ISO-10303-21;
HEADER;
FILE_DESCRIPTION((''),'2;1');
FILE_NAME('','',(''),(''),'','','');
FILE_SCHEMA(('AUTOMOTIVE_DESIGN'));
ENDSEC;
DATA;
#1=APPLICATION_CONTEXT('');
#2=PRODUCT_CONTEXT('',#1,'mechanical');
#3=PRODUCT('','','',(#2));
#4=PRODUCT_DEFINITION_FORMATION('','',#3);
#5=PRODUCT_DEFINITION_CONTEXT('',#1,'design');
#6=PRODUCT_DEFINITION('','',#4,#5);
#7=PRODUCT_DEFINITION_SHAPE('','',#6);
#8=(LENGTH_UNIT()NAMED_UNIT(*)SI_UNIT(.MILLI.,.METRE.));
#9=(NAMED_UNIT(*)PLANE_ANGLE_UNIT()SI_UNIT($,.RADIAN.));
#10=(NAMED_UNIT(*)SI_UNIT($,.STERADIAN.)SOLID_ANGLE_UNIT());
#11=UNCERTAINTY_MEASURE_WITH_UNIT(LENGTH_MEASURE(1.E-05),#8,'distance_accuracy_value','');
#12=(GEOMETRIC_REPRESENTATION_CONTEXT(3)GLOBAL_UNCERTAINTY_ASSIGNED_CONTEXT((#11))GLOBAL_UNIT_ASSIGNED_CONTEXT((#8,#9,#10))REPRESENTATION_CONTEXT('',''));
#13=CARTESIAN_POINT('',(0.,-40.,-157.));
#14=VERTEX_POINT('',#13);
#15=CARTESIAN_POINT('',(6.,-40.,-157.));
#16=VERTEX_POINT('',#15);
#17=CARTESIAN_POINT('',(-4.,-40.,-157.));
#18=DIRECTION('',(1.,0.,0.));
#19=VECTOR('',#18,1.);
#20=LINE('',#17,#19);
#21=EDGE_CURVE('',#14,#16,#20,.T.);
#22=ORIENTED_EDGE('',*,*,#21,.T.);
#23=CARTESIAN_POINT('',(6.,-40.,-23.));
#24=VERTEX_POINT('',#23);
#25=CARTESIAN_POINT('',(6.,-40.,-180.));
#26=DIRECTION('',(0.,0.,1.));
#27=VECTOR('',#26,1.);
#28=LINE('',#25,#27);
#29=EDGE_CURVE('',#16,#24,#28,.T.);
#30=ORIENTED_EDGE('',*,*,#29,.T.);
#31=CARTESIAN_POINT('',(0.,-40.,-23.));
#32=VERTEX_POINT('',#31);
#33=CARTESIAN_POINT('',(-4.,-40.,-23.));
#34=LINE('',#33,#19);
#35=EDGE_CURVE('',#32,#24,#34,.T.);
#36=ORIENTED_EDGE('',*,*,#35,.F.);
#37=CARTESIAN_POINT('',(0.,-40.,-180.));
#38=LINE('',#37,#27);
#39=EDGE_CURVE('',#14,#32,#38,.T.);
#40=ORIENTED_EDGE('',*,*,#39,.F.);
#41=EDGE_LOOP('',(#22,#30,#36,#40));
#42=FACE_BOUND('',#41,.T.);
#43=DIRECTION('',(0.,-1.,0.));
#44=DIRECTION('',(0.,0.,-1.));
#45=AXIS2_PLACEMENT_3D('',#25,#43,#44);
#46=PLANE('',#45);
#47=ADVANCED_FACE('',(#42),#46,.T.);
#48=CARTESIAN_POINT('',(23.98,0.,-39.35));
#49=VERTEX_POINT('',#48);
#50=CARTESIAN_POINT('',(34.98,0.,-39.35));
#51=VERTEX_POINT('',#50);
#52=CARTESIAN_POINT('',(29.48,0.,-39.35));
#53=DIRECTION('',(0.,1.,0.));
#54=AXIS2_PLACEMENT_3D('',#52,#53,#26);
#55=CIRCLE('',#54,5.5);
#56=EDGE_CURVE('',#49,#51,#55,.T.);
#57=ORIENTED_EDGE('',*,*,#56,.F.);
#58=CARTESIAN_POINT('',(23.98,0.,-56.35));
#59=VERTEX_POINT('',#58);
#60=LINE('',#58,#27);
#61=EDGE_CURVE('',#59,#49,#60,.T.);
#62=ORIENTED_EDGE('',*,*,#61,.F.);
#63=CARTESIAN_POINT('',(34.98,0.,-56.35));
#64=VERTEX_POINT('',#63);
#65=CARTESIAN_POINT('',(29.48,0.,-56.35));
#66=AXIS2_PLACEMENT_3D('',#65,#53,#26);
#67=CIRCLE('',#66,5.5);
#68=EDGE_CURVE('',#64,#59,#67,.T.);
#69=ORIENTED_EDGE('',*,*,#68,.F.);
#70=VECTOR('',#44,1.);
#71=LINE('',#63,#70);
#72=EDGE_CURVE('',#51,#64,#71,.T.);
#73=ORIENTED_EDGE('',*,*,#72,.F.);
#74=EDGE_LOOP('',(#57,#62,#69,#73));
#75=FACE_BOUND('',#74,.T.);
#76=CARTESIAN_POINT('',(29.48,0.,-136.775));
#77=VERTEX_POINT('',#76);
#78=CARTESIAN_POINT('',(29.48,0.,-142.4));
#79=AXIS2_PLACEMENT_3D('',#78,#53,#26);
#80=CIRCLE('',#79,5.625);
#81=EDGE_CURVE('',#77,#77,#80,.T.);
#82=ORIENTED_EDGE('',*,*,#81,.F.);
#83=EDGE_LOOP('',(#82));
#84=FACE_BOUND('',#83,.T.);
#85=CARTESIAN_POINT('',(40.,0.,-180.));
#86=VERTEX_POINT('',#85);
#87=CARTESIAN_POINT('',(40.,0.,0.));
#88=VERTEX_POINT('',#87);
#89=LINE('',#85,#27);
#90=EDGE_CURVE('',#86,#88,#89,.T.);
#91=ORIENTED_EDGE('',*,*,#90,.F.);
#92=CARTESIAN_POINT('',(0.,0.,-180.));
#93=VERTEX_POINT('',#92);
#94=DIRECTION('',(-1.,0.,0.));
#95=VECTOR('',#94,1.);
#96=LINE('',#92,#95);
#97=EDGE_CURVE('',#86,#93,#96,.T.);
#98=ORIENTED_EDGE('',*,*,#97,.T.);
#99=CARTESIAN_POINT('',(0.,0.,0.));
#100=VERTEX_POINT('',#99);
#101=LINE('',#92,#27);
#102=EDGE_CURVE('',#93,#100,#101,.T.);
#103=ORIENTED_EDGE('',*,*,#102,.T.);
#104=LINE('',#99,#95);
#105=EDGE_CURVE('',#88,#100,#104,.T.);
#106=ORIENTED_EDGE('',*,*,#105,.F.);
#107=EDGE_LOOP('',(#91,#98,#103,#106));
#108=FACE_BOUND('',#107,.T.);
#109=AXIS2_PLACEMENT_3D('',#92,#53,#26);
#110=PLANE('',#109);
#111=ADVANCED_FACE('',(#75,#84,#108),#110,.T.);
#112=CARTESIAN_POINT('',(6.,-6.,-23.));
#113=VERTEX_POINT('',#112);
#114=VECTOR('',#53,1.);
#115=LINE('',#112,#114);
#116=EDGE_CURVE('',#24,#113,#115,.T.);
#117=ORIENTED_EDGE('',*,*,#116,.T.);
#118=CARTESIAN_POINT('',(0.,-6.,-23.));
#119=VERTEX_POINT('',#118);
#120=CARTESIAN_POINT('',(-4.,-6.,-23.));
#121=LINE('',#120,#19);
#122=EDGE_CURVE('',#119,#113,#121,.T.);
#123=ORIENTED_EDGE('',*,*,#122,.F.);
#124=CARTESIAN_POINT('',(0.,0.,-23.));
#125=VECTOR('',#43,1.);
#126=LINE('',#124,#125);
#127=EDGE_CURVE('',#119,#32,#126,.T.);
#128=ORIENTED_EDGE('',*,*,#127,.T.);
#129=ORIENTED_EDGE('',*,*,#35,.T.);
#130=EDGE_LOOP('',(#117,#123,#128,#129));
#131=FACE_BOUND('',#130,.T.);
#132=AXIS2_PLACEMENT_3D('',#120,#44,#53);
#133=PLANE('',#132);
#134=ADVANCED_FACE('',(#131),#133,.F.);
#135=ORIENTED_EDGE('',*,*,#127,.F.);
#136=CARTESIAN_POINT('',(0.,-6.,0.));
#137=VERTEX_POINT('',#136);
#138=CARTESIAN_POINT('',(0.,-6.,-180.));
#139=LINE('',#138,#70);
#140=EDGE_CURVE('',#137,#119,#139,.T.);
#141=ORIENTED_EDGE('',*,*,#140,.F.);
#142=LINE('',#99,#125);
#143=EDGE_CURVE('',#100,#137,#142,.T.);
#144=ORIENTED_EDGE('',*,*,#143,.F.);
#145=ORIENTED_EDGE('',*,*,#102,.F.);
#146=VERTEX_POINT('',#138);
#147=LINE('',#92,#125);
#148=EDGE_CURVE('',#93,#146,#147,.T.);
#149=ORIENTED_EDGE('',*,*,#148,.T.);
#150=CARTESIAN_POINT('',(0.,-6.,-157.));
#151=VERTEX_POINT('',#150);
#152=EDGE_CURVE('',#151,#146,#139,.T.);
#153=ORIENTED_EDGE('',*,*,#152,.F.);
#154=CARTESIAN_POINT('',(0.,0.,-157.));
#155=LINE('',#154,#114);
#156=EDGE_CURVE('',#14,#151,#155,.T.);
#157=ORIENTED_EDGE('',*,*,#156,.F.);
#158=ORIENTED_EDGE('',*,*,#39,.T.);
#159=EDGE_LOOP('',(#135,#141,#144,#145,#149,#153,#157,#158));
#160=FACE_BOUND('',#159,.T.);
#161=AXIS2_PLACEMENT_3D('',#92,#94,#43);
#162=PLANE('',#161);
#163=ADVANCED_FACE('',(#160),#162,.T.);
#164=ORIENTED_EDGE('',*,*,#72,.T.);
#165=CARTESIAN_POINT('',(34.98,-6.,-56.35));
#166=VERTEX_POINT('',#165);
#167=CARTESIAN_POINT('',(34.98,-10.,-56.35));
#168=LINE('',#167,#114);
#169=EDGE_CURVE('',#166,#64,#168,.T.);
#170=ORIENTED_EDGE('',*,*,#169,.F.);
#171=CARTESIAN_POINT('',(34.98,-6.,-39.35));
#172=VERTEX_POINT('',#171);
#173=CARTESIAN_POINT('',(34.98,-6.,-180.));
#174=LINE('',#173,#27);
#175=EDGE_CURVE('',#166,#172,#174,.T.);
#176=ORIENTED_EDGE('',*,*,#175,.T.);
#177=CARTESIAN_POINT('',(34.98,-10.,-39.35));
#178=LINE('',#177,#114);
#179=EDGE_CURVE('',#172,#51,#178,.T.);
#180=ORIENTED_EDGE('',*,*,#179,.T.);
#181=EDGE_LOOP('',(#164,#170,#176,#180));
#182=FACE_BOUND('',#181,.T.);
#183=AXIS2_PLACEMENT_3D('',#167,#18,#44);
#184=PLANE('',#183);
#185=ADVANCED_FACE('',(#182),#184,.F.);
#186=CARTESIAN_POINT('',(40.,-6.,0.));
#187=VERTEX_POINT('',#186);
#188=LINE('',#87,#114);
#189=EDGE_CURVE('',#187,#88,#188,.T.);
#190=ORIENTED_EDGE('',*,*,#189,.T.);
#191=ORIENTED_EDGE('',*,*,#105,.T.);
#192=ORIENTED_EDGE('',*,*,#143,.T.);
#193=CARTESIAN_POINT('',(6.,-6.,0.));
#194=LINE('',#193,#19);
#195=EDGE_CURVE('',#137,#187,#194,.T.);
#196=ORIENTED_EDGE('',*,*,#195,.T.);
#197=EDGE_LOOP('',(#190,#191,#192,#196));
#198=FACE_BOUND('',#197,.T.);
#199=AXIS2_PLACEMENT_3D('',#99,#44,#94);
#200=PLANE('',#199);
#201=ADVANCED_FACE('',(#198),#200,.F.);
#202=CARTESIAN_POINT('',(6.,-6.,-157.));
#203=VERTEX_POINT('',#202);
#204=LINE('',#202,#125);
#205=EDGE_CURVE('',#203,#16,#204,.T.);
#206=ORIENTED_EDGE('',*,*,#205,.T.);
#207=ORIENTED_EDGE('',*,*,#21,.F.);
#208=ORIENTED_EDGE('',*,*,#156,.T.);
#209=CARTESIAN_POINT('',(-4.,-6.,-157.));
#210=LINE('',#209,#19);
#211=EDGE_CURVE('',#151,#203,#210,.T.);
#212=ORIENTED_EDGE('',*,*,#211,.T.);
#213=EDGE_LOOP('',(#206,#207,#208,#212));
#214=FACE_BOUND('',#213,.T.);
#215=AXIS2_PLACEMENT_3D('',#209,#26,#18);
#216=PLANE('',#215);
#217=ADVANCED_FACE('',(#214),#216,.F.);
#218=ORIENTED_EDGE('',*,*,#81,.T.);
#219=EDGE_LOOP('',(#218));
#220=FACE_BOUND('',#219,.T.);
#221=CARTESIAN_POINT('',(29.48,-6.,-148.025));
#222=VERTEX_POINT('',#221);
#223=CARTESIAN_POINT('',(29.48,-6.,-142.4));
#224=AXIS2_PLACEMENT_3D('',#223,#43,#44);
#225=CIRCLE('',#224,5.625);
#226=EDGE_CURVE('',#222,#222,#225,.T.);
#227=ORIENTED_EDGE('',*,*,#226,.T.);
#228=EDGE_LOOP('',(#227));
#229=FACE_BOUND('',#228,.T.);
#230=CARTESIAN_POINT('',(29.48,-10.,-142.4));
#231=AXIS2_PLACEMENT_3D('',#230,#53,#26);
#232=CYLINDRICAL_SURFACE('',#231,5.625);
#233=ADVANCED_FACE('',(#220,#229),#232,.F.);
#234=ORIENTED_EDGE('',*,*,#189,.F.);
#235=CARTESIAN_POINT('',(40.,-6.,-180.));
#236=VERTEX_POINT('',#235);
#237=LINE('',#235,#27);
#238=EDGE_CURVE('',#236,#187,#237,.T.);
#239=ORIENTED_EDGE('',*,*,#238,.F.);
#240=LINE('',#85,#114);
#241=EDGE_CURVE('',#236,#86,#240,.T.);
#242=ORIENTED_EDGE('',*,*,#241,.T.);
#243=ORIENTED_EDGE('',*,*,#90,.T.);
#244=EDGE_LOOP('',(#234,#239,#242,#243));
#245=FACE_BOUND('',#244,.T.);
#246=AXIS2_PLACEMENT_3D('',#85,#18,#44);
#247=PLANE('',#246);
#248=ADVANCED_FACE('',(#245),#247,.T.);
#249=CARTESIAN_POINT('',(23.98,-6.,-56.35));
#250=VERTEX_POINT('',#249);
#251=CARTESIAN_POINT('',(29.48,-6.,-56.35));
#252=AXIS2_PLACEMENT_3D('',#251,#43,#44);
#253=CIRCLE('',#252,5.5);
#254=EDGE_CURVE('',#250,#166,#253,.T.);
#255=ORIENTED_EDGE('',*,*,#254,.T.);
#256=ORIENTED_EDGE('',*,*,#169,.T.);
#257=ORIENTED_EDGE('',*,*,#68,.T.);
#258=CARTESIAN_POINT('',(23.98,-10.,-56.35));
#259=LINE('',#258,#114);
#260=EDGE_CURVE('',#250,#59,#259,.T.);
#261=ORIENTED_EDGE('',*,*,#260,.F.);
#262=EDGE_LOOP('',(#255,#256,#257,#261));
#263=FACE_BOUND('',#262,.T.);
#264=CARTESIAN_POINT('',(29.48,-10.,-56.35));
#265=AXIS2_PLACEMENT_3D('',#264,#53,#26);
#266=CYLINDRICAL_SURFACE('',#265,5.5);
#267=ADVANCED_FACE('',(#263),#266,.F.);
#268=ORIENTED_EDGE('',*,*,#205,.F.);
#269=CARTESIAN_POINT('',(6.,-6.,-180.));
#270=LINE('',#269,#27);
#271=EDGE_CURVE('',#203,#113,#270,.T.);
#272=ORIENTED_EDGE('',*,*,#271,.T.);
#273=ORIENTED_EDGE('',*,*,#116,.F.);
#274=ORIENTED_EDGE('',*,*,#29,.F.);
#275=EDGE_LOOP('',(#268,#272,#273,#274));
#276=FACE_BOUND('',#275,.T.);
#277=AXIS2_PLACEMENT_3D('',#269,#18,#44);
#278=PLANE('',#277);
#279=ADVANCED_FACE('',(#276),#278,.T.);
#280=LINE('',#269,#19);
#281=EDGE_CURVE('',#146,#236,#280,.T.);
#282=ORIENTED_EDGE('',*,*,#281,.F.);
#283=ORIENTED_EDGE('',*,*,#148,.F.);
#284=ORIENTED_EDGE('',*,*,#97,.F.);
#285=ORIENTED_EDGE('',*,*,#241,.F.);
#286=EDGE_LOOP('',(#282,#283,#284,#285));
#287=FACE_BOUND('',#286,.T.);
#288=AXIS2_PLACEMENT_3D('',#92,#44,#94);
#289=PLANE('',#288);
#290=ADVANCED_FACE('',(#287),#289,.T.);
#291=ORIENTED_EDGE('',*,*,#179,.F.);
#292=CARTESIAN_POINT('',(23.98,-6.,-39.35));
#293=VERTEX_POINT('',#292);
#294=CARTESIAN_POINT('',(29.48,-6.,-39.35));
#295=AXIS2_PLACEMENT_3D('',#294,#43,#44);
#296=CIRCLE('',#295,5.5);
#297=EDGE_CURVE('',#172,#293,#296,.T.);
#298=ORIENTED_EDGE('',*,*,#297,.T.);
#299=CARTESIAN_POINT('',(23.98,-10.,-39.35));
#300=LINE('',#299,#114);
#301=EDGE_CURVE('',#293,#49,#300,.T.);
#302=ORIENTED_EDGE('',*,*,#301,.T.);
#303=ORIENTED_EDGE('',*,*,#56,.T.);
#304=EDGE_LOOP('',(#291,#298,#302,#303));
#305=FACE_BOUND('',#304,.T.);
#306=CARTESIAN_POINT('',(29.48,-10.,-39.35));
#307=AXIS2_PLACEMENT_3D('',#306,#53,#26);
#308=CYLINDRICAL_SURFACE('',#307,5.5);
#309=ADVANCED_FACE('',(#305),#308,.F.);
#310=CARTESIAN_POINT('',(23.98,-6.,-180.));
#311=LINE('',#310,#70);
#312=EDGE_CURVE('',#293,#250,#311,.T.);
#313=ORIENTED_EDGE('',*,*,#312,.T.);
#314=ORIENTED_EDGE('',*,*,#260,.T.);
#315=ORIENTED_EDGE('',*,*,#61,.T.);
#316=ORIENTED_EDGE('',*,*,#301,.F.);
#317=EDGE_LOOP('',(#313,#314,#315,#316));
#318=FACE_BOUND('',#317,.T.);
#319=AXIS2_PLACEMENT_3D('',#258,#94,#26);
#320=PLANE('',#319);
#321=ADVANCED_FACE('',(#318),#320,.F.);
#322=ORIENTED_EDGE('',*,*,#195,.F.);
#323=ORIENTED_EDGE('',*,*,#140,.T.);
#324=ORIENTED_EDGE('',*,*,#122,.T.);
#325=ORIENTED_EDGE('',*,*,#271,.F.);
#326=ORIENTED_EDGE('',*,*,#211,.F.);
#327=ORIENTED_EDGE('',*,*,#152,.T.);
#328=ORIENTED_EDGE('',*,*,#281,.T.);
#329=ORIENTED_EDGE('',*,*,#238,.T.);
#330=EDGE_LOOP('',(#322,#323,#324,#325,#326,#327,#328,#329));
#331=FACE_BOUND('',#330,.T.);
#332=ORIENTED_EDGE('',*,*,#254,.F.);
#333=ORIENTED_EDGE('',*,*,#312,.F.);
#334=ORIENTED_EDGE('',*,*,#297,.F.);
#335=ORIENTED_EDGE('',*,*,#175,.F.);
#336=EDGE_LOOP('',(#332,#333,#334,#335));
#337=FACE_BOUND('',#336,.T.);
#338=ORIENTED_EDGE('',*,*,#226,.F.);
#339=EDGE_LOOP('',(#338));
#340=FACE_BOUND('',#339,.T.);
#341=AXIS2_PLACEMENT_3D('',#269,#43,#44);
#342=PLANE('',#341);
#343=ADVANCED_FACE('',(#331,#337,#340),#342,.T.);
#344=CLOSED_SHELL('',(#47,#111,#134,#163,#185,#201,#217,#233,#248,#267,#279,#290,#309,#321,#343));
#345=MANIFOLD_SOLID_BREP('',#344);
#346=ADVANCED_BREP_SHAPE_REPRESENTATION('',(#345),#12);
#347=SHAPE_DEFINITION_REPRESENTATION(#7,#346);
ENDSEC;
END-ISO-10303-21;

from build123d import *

# Parameters (mm, degrees)
BOSS_EXTRUDE2_DEPTH = 180
SKETCH3_W           = 23
SKETCH3_H           = 34
CUT_EXTRUDE2_DEPTH  = 10
SKETCH4_R           = 5.625
CUT_EXTRUDE3_DEPTH  = 10


with BuildPart() as part:
    # Sketch1 → Boss-Extrude2 (new body)
    with BuildSketch(Plane.XY):
        Polygon((0, 0), (40, 0), (40, -6), (6, -6), (6, -40), (0, -40), align=None)
    extrude(amount=-BOSS_EXTRUDE2_DEPTH)

    # Sketch3 → Cut-Extrude2 (cut)
    with BuildSketch(Plane(origin=(6, 0, 0), x_dir=(0, 0, -1), z_dir=(1, 0, 0))):
        with Locations((11.5, -23)):
            Rectangle(SKETCH3_W, SKETCH3_H)
        with Locations((168.5, -23)):
            Rectangle(SKETCH3_W, SKETCH3_H)
    extrude(amount=-CUT_EXTRUDE2_DEPTH, mode=Mode.SUBTRACT)

    # Sketch4 → Cut-Extrude3 (cut)
    with BuildSketch(Plane(origin=(0, 0, 0), x_dir=(1, 0, 0), z_dir=(0, 1, 0))):
        with Locations(Location((29.48, 142.4, 0), (0, 0, 270))):
            Circle(SKETCH4_R)
        with BuildLine():
            Line((34.98, 56.35), (34.98, 39.35))
            ThreePointArc((34.98, 39.35), (29.48, 33.85), (23.98, 39.35))
            Line((23.98, 39.35), (23.98, 56.35))
            ThreePointArc((23.98, 56.35), (29.48, 61.85), (34.98, 56.35))
        make_face()
    extrude(amount=-CUT_EXTRUDE3_DEPTH, mode=Mode.SUBTRACT)


solid = part.part
